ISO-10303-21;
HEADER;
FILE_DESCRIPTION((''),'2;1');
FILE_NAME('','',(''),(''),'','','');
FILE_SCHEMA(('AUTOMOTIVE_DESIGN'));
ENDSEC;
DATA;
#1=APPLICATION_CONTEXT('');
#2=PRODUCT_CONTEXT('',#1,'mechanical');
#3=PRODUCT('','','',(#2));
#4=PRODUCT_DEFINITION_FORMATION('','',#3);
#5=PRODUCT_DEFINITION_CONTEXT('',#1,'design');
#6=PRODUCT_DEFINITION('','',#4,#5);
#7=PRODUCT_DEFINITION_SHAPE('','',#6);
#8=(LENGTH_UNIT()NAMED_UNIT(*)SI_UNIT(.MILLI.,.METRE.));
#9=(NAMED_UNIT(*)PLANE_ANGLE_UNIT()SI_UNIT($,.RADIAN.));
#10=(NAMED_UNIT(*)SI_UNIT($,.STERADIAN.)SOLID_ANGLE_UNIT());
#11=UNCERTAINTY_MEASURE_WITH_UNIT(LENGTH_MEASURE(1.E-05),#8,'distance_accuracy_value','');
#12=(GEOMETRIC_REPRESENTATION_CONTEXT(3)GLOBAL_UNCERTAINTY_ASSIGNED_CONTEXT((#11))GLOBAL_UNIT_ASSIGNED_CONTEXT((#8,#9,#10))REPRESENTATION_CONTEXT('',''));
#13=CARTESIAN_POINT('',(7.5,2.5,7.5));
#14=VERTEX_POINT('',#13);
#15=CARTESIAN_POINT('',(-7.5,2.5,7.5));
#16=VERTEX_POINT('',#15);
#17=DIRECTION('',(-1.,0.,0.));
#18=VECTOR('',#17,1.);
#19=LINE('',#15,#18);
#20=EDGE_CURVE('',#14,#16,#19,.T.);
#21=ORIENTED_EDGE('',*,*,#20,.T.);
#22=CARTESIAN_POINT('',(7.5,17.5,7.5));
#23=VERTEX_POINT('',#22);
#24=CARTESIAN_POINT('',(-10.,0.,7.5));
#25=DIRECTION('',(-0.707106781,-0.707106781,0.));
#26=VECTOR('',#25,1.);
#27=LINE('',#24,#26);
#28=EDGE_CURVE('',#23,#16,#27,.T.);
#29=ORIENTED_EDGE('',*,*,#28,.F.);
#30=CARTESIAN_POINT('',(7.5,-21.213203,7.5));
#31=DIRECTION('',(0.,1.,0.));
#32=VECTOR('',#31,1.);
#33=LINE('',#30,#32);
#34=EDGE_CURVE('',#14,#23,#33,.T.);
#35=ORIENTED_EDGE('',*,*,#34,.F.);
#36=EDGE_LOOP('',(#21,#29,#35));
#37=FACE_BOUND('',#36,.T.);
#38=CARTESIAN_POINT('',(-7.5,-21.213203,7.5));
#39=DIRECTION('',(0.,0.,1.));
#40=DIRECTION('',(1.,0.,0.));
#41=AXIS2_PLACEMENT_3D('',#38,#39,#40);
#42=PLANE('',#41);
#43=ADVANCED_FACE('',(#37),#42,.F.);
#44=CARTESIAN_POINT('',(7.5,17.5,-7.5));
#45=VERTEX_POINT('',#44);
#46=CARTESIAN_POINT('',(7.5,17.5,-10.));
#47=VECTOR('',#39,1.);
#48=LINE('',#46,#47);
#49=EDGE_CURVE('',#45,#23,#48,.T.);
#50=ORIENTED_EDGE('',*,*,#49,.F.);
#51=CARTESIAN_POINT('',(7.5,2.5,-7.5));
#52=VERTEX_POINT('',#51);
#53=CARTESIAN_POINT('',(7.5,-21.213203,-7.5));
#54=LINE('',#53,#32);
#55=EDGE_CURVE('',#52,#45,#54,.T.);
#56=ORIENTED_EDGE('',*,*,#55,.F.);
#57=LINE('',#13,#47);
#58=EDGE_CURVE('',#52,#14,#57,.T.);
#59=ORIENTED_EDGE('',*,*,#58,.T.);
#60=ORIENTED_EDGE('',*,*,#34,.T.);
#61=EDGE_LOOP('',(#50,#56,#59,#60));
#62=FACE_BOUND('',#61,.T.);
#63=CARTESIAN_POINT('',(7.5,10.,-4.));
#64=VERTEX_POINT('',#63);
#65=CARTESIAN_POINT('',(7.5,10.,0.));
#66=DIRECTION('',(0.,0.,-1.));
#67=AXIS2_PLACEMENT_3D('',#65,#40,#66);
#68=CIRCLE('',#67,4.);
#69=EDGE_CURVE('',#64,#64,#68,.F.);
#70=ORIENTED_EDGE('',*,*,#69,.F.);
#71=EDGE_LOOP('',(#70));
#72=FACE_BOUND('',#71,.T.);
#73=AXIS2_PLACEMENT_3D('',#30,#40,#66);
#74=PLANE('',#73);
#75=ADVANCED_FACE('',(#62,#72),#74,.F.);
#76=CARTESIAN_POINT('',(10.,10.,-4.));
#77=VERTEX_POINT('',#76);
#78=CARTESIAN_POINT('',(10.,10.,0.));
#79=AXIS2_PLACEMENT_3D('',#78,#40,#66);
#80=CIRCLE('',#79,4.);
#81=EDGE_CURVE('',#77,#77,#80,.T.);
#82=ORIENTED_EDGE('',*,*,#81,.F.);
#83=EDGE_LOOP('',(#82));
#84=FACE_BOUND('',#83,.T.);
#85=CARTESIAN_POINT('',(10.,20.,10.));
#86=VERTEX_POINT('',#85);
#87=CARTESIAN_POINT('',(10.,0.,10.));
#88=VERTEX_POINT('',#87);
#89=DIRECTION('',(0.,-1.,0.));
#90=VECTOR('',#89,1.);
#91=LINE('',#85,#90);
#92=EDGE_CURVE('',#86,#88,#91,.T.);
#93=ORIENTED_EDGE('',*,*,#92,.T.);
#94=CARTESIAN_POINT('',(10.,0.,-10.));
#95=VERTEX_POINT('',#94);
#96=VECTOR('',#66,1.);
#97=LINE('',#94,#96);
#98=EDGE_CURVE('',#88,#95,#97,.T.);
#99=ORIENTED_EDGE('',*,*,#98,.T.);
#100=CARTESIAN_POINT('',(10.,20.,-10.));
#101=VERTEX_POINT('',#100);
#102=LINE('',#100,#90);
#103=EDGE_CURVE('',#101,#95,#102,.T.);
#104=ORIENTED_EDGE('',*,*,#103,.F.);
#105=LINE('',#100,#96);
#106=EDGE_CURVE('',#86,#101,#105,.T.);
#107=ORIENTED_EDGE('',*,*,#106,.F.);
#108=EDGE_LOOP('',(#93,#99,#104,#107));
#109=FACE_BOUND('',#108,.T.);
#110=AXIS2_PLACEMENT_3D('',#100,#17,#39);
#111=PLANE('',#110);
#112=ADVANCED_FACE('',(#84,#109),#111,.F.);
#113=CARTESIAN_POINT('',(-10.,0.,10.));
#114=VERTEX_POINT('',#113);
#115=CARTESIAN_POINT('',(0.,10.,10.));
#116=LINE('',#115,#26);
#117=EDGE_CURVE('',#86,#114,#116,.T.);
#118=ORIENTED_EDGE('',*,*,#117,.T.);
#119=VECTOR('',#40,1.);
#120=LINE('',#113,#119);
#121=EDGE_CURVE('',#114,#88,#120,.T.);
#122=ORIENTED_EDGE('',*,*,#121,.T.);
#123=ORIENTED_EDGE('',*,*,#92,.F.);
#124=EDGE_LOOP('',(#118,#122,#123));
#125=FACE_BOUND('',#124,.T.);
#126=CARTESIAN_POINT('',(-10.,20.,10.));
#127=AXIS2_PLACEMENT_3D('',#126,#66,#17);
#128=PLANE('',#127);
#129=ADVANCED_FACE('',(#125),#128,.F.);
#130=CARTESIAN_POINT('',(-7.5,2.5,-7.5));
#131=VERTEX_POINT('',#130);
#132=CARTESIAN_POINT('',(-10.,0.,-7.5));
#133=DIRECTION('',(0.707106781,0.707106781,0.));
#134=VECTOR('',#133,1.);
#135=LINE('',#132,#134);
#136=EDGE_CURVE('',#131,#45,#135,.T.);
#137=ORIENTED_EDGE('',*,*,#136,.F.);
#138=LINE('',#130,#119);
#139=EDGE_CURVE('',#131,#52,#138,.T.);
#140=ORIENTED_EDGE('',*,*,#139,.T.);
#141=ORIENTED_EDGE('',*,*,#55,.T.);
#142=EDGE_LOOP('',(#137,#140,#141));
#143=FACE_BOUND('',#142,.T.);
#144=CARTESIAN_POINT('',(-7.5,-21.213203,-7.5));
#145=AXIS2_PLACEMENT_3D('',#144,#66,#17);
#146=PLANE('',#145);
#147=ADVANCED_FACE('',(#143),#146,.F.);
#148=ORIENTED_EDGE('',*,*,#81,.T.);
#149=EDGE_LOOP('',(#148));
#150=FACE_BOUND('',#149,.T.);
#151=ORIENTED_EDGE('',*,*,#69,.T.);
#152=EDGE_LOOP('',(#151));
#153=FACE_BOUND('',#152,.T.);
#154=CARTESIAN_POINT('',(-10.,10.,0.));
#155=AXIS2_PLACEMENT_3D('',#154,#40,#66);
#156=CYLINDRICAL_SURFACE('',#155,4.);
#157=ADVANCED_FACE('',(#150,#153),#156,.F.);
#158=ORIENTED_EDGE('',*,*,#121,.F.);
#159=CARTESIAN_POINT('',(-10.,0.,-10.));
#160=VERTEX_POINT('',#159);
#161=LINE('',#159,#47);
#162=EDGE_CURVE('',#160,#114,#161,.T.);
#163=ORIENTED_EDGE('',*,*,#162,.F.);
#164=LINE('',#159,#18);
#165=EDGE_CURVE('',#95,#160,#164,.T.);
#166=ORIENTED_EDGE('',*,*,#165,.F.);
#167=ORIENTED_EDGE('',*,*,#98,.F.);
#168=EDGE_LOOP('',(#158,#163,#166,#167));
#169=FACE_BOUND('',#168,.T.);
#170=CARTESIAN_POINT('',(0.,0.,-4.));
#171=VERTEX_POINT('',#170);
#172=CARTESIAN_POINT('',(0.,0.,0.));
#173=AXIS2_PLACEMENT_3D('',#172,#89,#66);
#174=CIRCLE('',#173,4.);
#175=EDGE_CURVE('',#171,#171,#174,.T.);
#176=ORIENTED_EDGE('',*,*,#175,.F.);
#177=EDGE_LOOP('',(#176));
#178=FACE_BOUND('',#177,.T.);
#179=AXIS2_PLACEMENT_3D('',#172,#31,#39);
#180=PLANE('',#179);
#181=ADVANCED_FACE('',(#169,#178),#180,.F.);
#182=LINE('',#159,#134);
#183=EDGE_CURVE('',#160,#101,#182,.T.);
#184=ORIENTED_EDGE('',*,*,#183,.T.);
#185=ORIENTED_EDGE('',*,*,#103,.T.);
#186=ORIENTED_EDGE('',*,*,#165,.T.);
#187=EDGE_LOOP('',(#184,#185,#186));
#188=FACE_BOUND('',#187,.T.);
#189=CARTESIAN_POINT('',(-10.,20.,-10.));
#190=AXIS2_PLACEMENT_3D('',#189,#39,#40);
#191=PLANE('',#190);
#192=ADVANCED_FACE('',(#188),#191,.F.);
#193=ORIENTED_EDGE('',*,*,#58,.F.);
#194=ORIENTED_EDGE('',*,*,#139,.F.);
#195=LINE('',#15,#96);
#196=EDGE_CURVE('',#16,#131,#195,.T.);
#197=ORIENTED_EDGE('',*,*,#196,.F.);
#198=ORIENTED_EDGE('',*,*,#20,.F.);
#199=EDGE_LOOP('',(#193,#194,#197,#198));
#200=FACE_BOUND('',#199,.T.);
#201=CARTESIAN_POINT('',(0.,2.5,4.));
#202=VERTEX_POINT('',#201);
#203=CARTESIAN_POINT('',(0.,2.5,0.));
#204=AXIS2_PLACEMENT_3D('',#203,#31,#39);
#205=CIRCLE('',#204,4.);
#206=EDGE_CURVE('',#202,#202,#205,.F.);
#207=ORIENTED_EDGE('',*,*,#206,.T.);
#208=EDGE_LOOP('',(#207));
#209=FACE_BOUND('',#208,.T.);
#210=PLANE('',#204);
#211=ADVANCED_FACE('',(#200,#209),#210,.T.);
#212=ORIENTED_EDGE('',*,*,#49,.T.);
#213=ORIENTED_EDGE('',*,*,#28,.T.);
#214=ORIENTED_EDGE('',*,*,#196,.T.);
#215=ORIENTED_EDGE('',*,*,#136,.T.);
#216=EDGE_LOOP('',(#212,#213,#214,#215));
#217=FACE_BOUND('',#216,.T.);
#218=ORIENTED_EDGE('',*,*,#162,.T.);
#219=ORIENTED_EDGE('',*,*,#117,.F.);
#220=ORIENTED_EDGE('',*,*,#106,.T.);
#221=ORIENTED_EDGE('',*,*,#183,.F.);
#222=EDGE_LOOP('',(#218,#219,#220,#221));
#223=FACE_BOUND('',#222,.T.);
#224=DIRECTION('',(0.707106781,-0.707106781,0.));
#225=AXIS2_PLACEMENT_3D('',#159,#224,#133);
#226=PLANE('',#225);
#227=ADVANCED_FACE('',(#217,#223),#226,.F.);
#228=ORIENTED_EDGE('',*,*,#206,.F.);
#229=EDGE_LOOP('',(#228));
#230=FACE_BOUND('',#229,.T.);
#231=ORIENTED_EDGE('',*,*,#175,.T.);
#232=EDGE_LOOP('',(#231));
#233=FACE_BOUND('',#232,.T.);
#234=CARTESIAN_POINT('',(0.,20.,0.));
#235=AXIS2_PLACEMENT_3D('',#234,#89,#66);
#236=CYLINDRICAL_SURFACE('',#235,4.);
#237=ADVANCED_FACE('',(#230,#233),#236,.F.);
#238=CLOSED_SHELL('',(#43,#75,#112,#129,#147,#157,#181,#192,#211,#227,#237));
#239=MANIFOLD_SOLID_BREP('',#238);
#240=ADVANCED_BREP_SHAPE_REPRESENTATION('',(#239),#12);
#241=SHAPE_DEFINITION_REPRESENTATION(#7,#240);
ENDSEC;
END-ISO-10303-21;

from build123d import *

# Parameters (mm, degrees)
SKETCH1_W               = 20
SKETCH1_H               = 20
BOSS_EXTRUDE1_DEPTH     = 20
CUT_EXTRUDE1_DEPTH      = 31
CUT_EXTRUDE1_DEPTH_BACK = 31
SKETCH3_R               = 4
CUT_EXTRUDE2_DEPTH      = 31
SKETCH4_R               = 4
CUT_EXTRUDE3_DEPTH      = 25.494897428
SKETCH5_W               = 15
SKETCH5_H               = 15
CUT_EXTRUDE5_DEPTH      = 17.5


with BuildPart() as part:
    # Sketch1 → Boss-Extrude1 (new body)
    with BuildSketch(Plane(origin=(0, 0, 0), x_dir=(1, 0, 0), z_dir=(0, 1, 0))):
        Rectangle(SKETCH1_W, SKETCH1_H)
    extrude(amount=BOSS_EXTRUDE1_DEPTH)

    # Sketch2 → Cut-Extrude1 (cut, two sides: drawn at the far end of the back side and taken through both)
    with BuildSketch(Plane.XY.offset(10).offset(-CUT_EXTRUDE1_DEPTH_BACK)):
        Polygon((-10, 0), (10, 20), (-10, 20), align=None)
    extrude(amount=CUT_EXTRUDE1_DEPTH + CUT_EXTRUDE1_DEPTH_BACK, mode=Mode.SUBTRACT)

    # Sketch3 → Cut-Extrude2 (cut, through all)
    with BuildSketch(Plane(origin=(10, 0, 0), x_dir=(0, 0, -1), z_dir=(1, 0, 0))):
        with Locations((0, 10)):
            Circle(SKETCH3_R)
    extrude(amount=-CUT_EXTRUDE2_DEPTH, mode=Mode.SUBTRACT)

    # Sketch4 → Cut-Extrude3 (cut, through all)
    with BuildSketch(Plane.XZ):
        with Locations(Location((0, 0, 0), (0, 0, 270))):
            Circle(SKETCH4_R)
    extrude(amount=-CUT_EXTRUDE3_DEPTH, mode=Mode.SUBTRACT)

    # Sketch5 → Cut-Extrude5 (cut)
    with BuildSketch(Plane(origin=(0, 20, 0), x_dir=(1, 0, 0), z_dir=(0, 1, 0))):
        Rectangle(SKETCH5_W, SKETCH5_H)
    extrude(amount=-CUT_EXTRUDE5_DEPTH, mode=Mode.SUBTRACT)


solid = part.part
